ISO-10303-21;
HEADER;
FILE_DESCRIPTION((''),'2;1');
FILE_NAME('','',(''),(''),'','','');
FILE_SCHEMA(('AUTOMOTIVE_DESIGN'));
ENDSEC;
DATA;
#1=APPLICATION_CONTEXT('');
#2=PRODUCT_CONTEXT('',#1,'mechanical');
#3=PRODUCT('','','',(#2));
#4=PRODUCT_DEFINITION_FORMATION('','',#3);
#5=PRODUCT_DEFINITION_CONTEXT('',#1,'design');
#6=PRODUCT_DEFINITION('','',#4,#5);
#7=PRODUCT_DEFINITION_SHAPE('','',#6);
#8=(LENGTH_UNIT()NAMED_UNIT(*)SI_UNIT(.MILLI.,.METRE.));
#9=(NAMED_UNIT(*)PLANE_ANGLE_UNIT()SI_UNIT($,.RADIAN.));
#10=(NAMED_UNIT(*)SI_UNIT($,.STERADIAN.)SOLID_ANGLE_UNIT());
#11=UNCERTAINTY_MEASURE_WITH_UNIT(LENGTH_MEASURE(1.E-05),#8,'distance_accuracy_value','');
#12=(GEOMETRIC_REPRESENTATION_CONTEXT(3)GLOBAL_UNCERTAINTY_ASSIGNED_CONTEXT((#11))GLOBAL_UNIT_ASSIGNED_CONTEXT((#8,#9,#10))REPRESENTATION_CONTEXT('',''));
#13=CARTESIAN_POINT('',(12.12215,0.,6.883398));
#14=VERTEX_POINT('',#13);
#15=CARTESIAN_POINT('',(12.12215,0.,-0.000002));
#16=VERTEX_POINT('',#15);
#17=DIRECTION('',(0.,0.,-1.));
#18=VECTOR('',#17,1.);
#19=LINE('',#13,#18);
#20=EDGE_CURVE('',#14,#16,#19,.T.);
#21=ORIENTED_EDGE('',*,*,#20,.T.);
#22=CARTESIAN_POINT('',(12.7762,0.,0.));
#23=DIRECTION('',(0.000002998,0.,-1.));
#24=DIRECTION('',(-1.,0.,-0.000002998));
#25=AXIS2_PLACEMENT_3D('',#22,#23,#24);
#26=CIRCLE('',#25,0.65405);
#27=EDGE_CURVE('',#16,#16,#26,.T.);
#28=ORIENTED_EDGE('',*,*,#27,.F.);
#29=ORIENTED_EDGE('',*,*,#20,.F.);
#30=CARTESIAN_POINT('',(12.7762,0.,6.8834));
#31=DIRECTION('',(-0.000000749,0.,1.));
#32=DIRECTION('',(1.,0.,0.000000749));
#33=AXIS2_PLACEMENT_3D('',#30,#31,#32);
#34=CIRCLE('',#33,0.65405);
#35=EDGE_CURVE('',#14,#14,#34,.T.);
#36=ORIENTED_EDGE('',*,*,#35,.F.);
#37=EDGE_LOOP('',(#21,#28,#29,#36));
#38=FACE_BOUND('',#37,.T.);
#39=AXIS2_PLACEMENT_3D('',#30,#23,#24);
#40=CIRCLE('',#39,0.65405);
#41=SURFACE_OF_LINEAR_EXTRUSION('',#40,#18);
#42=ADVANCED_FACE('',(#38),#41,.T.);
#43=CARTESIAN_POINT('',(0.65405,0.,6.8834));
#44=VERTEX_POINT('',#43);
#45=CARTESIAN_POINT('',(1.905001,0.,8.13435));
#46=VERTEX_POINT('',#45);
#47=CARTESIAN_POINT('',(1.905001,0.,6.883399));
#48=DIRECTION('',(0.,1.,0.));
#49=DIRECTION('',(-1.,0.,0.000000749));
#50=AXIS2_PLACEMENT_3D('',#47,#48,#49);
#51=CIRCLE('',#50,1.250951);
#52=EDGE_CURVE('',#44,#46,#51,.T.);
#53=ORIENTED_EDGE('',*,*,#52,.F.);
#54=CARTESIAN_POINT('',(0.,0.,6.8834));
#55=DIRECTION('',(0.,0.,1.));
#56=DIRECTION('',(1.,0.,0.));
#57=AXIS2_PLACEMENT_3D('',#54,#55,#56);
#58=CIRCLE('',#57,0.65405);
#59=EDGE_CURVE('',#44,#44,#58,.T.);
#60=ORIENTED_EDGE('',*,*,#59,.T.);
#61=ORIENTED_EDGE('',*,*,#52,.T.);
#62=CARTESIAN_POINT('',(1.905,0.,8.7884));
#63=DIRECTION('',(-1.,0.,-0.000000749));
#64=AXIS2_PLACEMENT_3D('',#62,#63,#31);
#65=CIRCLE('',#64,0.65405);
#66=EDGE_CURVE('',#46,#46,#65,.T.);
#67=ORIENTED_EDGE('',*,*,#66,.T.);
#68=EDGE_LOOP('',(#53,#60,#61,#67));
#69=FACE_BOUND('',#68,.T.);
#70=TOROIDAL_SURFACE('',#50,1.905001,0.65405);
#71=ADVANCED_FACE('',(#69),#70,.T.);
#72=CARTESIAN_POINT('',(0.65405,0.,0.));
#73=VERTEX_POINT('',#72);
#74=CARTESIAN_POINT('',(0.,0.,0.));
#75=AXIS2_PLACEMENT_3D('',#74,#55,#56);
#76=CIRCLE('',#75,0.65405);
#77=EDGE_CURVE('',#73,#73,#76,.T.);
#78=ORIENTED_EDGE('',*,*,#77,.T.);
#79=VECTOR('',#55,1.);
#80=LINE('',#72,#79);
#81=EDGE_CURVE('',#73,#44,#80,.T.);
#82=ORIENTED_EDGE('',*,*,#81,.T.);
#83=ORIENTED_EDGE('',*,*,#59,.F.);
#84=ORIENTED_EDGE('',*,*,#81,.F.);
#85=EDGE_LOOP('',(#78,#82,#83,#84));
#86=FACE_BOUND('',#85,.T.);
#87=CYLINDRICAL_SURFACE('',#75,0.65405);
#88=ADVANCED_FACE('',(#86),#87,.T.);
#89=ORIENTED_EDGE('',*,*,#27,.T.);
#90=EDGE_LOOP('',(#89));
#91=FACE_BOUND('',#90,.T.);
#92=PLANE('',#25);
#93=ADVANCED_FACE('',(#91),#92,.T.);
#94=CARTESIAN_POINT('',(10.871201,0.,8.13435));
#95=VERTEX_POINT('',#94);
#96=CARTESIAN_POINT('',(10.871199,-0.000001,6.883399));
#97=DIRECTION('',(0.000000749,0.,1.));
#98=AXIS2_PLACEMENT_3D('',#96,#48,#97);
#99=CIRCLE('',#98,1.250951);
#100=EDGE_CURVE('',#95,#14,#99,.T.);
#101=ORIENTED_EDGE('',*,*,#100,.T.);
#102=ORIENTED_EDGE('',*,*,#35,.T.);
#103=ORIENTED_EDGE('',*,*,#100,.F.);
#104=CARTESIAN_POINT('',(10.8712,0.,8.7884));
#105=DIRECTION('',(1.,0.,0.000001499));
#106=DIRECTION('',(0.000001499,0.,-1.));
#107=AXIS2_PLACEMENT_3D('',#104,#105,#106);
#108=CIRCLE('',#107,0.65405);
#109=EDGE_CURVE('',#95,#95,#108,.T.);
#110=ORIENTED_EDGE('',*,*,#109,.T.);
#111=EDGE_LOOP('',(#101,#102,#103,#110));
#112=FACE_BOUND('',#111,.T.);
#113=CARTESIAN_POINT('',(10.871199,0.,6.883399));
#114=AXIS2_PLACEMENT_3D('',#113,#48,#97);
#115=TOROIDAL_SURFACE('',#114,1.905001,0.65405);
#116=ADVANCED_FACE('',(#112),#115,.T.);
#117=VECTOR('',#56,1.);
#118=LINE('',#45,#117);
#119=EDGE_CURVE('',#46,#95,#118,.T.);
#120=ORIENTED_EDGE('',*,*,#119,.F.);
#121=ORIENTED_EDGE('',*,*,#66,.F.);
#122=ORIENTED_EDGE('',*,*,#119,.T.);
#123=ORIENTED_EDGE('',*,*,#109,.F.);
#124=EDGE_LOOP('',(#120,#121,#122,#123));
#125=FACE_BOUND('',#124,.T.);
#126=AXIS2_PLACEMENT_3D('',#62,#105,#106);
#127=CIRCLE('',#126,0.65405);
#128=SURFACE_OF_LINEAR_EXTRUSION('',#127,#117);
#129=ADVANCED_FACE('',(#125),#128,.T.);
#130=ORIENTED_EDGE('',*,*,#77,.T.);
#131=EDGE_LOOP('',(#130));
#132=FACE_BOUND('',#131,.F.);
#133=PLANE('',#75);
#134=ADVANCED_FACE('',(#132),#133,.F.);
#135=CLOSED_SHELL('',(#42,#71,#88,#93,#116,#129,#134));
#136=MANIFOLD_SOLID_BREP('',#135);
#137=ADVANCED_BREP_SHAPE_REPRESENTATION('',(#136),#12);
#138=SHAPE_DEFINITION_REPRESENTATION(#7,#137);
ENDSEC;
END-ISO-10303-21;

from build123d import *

# Parameters (mm, degrees)
F2_R = 0.65405


with BuildPart() as f3:
    # F3: sweep along a path in F0
    with BuildLine(Plane.XZ) as f3_path:
        Line((0, 0), (0, 6.8834))
        ThreePointArc((0, 6.8834), (0.557962, 8.230438), (1.905, 8.7884))
        Line((1.905, 8.7884), (10.8712, 8.7884))
        ThreePointArc((10.8712, 8.7884), (12.218238, 8.230438), (12.7762, 6.8834))
        Line((12.7762, 6.8834), (12.7762, 0))
    # F2 (on plane+point) → F3 (sweep)
    with BuildSketch(Plane.XY):
        Circle(F2_R)
    sweep(path=f3_path.line)


solid = f3.part
